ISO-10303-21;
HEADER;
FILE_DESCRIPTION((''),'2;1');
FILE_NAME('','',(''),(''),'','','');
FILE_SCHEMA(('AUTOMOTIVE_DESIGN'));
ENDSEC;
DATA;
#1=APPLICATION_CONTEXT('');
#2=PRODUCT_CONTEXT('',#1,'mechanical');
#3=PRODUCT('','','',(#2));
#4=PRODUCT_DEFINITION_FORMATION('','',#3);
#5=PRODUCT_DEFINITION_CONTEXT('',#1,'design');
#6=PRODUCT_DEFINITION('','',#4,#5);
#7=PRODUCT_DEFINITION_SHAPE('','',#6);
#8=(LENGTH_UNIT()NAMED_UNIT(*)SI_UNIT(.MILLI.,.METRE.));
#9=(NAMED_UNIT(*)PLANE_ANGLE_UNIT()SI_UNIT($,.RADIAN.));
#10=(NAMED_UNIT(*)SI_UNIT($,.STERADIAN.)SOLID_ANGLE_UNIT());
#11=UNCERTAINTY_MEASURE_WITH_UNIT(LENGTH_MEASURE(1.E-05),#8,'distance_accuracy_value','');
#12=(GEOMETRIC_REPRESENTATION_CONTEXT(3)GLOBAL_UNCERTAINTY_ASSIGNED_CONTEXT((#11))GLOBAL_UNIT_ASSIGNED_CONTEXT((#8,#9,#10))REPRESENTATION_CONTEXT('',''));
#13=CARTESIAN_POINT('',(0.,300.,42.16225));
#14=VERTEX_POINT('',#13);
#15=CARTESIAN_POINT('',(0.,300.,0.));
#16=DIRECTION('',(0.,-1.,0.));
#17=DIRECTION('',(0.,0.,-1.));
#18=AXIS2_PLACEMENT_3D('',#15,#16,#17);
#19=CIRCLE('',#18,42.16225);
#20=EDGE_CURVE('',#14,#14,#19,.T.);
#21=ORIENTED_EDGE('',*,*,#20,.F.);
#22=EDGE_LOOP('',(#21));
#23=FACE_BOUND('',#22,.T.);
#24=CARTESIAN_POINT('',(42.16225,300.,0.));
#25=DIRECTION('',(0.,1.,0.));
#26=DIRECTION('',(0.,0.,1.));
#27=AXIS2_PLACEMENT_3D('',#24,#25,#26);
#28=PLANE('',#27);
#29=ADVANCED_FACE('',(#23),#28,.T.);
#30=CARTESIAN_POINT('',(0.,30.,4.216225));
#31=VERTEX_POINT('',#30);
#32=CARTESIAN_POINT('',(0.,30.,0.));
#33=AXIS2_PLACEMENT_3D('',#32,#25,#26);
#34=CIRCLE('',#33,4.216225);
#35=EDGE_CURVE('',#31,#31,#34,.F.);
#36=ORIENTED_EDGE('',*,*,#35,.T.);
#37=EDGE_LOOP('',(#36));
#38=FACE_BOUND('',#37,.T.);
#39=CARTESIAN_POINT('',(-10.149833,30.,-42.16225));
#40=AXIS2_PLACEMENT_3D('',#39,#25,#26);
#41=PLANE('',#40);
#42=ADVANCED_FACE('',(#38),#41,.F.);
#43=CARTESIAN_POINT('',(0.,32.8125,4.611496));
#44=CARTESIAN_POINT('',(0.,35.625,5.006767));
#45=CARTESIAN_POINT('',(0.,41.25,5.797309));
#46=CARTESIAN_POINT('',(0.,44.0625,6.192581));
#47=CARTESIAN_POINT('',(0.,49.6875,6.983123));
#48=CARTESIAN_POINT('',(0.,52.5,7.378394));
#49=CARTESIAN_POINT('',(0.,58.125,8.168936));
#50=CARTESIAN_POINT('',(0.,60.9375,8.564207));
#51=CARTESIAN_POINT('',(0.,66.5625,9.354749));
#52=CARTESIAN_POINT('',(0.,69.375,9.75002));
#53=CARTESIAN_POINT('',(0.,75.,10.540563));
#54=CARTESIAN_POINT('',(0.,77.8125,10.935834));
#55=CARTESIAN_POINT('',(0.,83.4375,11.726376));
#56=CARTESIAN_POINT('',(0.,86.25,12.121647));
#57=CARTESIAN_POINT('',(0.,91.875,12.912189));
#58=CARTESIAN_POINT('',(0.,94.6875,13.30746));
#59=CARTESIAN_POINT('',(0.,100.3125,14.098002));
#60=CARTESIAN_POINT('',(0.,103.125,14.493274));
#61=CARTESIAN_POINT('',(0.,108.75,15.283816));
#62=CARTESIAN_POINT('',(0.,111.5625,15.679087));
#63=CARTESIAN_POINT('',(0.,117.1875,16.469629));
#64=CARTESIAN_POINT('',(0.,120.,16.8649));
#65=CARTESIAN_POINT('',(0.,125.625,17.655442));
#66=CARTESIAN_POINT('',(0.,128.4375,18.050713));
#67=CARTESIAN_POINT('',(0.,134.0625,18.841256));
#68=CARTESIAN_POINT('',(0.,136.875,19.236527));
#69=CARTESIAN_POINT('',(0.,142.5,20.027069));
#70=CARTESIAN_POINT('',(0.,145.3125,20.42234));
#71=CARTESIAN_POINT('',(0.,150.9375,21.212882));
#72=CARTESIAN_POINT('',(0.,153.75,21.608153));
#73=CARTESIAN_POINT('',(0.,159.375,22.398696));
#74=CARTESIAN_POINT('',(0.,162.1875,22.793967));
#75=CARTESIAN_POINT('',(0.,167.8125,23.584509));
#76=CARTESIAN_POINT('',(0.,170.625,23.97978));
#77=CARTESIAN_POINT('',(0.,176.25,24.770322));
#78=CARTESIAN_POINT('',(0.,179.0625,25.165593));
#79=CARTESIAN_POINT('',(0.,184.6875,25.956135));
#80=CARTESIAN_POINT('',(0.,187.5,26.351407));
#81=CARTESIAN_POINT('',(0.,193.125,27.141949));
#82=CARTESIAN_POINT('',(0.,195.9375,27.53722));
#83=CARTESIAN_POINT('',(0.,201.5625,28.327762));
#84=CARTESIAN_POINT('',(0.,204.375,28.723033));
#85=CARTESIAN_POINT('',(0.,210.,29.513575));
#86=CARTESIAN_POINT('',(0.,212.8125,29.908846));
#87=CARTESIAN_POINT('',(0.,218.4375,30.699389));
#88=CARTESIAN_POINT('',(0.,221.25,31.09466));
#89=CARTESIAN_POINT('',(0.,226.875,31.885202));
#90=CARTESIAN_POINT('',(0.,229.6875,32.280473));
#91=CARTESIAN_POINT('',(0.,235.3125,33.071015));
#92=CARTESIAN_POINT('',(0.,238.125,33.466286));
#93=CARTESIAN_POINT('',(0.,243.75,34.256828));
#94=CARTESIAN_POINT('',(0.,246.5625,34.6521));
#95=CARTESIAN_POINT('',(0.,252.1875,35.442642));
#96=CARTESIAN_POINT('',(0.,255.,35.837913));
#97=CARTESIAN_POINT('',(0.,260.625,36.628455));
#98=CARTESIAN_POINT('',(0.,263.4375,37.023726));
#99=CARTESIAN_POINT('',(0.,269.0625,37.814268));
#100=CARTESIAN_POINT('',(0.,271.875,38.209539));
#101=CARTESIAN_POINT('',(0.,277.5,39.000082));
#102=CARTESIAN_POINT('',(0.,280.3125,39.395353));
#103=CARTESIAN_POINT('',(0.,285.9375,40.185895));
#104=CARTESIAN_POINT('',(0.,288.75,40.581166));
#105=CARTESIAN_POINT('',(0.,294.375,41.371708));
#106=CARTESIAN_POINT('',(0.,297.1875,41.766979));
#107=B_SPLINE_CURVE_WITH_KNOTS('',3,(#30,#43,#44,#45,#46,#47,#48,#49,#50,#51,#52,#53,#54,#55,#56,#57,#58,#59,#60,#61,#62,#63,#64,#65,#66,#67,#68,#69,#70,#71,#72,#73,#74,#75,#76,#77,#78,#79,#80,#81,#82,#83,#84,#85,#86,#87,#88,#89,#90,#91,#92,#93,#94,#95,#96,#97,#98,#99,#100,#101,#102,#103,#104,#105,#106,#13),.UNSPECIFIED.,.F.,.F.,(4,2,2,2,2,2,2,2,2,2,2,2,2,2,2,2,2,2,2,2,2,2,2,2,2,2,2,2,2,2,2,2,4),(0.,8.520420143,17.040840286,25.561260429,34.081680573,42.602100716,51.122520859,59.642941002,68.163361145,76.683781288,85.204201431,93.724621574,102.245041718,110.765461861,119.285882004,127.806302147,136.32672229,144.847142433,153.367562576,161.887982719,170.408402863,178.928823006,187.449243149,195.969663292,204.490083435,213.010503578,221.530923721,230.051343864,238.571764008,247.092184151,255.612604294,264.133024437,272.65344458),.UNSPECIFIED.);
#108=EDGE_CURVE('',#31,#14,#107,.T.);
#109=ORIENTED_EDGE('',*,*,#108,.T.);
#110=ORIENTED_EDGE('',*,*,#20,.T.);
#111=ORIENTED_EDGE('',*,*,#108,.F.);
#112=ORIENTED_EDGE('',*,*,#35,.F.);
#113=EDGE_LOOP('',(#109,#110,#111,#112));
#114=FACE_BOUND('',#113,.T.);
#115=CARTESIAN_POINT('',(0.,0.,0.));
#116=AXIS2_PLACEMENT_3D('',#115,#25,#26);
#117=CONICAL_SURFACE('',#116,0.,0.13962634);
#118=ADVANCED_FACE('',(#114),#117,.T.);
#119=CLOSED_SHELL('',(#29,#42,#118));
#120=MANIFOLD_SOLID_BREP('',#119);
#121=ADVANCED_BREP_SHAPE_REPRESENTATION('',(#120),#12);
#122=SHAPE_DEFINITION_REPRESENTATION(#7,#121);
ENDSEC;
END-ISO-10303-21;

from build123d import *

# Parameters (mm, degrees)
CUT_EXTRUDE1_DEPTH      = 306.868126354
CUT_EXTRUDE1_DEPTH_BACK = 306.868126354
SKETCH2_W               = 18.117925639
SKETCH2_H               = 30


with BuildPart() as part:
    # Sketch1 → Revolve1 (revolve)
    with BuildSketch(Plane.XY, mode=Mode.PRIVATE) as revolve1_sk:
        Polygon((0, 0), (0, 300), (42.162250411, 300), align=None)
    revolve(revolve1_sk.sketch.rotate(Axis((0, 0, 0), (0, 1, 0)), 270), axis=Axis((0, 0, 0), (0, 1, 0)))

    # Sketch2 → Cut-Extrude1 (cut, two sides: drawn at the far end of the back side and taken through both)
    with BuildSketch(Plane.XY.offset(-CUT_EXTRUDE1_DEPTH_BACK)):
        with Locations((-1.090869868, 15)):
            Rectangle(SKETCH2_W, SKETCH2_H)
    extrude(amount=CUT_EXTRUDE1_DEPTH + CUT_EXTRUDE1_DEPTH_BACK, mode=Mode.SUBTRACT)


solid = part.part
